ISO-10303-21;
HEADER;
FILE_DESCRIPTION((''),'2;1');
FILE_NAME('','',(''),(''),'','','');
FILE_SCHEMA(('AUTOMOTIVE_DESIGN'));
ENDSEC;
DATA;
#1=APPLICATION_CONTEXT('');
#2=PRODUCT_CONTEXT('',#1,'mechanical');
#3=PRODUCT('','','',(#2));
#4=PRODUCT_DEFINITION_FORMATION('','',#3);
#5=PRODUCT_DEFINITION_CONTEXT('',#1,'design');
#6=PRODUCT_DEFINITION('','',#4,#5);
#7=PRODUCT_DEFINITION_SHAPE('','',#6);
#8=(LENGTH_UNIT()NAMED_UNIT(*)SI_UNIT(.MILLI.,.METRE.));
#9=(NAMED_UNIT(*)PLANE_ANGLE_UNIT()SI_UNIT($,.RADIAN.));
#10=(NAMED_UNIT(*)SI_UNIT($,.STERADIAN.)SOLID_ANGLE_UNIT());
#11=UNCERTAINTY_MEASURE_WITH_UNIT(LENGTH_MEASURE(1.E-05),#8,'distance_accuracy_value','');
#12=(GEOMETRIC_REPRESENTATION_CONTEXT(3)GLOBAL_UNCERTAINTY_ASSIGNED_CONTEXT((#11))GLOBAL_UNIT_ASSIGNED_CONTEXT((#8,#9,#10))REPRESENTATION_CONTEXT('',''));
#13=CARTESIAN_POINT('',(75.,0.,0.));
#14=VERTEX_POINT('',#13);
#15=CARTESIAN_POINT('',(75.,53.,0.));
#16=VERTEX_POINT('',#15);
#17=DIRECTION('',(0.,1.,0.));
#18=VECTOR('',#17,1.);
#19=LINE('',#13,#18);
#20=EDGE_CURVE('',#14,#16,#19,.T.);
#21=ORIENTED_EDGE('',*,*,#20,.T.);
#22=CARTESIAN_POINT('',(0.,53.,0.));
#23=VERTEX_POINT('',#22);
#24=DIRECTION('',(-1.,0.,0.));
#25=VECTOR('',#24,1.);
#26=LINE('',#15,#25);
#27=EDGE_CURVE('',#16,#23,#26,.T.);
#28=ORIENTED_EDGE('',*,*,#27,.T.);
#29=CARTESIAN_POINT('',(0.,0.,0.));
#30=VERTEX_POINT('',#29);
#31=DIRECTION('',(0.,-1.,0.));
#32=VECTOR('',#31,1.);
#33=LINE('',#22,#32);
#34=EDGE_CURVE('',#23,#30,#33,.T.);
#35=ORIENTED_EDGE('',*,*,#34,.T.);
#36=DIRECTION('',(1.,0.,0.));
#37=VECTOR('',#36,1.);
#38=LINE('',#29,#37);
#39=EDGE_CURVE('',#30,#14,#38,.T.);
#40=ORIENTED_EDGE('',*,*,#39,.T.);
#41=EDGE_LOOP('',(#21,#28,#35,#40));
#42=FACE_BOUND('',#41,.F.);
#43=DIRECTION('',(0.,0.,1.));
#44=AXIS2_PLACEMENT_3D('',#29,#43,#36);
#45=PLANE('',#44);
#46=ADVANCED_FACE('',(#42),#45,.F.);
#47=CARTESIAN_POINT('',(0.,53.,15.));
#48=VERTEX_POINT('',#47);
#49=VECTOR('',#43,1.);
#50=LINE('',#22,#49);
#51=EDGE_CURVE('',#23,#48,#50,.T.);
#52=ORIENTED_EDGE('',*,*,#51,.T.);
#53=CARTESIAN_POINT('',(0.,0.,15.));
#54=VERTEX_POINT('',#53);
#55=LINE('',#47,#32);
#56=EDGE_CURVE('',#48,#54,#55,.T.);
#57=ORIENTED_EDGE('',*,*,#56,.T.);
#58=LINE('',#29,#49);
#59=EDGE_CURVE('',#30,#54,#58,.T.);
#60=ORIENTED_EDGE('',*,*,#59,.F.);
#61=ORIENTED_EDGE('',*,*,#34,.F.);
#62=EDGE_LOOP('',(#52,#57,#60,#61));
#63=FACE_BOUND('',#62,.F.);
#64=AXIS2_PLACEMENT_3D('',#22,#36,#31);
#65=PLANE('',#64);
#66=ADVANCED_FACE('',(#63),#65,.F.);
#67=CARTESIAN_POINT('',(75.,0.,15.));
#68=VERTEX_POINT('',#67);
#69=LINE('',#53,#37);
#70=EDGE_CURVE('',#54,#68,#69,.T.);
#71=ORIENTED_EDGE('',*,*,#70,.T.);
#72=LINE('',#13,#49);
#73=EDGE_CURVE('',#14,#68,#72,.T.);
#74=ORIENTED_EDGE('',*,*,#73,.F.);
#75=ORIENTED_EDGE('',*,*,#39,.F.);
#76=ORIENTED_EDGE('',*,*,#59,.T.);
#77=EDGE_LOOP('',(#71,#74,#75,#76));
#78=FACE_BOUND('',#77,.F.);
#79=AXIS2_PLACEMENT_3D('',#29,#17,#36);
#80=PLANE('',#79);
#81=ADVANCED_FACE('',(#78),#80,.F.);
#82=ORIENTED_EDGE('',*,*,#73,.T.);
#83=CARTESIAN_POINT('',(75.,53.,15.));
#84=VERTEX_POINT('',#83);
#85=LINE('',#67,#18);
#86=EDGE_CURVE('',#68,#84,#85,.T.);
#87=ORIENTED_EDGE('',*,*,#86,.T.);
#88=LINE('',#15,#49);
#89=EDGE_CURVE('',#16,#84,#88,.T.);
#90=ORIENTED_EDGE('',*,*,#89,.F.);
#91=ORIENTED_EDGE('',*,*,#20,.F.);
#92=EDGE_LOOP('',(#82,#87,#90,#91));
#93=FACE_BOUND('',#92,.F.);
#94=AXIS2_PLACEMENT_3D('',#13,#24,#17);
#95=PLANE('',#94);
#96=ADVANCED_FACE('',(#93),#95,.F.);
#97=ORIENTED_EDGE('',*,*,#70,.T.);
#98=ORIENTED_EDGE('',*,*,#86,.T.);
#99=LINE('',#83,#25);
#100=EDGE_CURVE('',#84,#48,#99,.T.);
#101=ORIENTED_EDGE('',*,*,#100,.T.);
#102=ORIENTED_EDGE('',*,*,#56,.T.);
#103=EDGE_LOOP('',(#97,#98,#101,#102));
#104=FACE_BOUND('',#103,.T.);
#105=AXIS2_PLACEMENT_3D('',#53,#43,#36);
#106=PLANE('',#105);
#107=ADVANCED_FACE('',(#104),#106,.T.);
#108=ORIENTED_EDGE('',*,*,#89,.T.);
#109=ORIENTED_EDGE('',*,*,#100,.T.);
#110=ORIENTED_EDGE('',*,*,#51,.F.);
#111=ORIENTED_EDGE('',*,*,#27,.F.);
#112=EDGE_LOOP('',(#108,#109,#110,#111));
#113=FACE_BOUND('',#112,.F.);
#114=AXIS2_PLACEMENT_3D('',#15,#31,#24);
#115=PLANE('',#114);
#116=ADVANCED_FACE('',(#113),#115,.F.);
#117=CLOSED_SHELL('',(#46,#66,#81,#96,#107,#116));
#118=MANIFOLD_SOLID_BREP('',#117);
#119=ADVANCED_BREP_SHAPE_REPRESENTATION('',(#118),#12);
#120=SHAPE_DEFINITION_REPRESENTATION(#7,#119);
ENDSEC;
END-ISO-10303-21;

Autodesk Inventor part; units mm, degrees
ref_plane "YZ Plane" through (0, 0, 0) normal (1, 0, 0) x (0, 1, 0)
ref_plane "XZ Plane" through (0, 0, 0) normal (0, 1, 0) x (-1, 0, 0)
ref_plane "XY Plane" through (0, 0, 0) normal (0, 0, 1) x (1, 0, 0)
sketch "Sketch1" plane through (0, 0, 0) normal (0, 0, 1) x (1, 0, 0)
  line L0 (0, 0) -> (75, 0)
  line L1 (75, 0) -> (75, 53)
  line L2 (75, 53) -> (0, 53)
  line L3 (0, 53) -> (0, 0)
  dimension "d0" = 75
  dimension "d1" = 53
extrude "Extrusion1" add sketch "Sketch1" along normal blind 15
properties part number "Arduino Uno"
